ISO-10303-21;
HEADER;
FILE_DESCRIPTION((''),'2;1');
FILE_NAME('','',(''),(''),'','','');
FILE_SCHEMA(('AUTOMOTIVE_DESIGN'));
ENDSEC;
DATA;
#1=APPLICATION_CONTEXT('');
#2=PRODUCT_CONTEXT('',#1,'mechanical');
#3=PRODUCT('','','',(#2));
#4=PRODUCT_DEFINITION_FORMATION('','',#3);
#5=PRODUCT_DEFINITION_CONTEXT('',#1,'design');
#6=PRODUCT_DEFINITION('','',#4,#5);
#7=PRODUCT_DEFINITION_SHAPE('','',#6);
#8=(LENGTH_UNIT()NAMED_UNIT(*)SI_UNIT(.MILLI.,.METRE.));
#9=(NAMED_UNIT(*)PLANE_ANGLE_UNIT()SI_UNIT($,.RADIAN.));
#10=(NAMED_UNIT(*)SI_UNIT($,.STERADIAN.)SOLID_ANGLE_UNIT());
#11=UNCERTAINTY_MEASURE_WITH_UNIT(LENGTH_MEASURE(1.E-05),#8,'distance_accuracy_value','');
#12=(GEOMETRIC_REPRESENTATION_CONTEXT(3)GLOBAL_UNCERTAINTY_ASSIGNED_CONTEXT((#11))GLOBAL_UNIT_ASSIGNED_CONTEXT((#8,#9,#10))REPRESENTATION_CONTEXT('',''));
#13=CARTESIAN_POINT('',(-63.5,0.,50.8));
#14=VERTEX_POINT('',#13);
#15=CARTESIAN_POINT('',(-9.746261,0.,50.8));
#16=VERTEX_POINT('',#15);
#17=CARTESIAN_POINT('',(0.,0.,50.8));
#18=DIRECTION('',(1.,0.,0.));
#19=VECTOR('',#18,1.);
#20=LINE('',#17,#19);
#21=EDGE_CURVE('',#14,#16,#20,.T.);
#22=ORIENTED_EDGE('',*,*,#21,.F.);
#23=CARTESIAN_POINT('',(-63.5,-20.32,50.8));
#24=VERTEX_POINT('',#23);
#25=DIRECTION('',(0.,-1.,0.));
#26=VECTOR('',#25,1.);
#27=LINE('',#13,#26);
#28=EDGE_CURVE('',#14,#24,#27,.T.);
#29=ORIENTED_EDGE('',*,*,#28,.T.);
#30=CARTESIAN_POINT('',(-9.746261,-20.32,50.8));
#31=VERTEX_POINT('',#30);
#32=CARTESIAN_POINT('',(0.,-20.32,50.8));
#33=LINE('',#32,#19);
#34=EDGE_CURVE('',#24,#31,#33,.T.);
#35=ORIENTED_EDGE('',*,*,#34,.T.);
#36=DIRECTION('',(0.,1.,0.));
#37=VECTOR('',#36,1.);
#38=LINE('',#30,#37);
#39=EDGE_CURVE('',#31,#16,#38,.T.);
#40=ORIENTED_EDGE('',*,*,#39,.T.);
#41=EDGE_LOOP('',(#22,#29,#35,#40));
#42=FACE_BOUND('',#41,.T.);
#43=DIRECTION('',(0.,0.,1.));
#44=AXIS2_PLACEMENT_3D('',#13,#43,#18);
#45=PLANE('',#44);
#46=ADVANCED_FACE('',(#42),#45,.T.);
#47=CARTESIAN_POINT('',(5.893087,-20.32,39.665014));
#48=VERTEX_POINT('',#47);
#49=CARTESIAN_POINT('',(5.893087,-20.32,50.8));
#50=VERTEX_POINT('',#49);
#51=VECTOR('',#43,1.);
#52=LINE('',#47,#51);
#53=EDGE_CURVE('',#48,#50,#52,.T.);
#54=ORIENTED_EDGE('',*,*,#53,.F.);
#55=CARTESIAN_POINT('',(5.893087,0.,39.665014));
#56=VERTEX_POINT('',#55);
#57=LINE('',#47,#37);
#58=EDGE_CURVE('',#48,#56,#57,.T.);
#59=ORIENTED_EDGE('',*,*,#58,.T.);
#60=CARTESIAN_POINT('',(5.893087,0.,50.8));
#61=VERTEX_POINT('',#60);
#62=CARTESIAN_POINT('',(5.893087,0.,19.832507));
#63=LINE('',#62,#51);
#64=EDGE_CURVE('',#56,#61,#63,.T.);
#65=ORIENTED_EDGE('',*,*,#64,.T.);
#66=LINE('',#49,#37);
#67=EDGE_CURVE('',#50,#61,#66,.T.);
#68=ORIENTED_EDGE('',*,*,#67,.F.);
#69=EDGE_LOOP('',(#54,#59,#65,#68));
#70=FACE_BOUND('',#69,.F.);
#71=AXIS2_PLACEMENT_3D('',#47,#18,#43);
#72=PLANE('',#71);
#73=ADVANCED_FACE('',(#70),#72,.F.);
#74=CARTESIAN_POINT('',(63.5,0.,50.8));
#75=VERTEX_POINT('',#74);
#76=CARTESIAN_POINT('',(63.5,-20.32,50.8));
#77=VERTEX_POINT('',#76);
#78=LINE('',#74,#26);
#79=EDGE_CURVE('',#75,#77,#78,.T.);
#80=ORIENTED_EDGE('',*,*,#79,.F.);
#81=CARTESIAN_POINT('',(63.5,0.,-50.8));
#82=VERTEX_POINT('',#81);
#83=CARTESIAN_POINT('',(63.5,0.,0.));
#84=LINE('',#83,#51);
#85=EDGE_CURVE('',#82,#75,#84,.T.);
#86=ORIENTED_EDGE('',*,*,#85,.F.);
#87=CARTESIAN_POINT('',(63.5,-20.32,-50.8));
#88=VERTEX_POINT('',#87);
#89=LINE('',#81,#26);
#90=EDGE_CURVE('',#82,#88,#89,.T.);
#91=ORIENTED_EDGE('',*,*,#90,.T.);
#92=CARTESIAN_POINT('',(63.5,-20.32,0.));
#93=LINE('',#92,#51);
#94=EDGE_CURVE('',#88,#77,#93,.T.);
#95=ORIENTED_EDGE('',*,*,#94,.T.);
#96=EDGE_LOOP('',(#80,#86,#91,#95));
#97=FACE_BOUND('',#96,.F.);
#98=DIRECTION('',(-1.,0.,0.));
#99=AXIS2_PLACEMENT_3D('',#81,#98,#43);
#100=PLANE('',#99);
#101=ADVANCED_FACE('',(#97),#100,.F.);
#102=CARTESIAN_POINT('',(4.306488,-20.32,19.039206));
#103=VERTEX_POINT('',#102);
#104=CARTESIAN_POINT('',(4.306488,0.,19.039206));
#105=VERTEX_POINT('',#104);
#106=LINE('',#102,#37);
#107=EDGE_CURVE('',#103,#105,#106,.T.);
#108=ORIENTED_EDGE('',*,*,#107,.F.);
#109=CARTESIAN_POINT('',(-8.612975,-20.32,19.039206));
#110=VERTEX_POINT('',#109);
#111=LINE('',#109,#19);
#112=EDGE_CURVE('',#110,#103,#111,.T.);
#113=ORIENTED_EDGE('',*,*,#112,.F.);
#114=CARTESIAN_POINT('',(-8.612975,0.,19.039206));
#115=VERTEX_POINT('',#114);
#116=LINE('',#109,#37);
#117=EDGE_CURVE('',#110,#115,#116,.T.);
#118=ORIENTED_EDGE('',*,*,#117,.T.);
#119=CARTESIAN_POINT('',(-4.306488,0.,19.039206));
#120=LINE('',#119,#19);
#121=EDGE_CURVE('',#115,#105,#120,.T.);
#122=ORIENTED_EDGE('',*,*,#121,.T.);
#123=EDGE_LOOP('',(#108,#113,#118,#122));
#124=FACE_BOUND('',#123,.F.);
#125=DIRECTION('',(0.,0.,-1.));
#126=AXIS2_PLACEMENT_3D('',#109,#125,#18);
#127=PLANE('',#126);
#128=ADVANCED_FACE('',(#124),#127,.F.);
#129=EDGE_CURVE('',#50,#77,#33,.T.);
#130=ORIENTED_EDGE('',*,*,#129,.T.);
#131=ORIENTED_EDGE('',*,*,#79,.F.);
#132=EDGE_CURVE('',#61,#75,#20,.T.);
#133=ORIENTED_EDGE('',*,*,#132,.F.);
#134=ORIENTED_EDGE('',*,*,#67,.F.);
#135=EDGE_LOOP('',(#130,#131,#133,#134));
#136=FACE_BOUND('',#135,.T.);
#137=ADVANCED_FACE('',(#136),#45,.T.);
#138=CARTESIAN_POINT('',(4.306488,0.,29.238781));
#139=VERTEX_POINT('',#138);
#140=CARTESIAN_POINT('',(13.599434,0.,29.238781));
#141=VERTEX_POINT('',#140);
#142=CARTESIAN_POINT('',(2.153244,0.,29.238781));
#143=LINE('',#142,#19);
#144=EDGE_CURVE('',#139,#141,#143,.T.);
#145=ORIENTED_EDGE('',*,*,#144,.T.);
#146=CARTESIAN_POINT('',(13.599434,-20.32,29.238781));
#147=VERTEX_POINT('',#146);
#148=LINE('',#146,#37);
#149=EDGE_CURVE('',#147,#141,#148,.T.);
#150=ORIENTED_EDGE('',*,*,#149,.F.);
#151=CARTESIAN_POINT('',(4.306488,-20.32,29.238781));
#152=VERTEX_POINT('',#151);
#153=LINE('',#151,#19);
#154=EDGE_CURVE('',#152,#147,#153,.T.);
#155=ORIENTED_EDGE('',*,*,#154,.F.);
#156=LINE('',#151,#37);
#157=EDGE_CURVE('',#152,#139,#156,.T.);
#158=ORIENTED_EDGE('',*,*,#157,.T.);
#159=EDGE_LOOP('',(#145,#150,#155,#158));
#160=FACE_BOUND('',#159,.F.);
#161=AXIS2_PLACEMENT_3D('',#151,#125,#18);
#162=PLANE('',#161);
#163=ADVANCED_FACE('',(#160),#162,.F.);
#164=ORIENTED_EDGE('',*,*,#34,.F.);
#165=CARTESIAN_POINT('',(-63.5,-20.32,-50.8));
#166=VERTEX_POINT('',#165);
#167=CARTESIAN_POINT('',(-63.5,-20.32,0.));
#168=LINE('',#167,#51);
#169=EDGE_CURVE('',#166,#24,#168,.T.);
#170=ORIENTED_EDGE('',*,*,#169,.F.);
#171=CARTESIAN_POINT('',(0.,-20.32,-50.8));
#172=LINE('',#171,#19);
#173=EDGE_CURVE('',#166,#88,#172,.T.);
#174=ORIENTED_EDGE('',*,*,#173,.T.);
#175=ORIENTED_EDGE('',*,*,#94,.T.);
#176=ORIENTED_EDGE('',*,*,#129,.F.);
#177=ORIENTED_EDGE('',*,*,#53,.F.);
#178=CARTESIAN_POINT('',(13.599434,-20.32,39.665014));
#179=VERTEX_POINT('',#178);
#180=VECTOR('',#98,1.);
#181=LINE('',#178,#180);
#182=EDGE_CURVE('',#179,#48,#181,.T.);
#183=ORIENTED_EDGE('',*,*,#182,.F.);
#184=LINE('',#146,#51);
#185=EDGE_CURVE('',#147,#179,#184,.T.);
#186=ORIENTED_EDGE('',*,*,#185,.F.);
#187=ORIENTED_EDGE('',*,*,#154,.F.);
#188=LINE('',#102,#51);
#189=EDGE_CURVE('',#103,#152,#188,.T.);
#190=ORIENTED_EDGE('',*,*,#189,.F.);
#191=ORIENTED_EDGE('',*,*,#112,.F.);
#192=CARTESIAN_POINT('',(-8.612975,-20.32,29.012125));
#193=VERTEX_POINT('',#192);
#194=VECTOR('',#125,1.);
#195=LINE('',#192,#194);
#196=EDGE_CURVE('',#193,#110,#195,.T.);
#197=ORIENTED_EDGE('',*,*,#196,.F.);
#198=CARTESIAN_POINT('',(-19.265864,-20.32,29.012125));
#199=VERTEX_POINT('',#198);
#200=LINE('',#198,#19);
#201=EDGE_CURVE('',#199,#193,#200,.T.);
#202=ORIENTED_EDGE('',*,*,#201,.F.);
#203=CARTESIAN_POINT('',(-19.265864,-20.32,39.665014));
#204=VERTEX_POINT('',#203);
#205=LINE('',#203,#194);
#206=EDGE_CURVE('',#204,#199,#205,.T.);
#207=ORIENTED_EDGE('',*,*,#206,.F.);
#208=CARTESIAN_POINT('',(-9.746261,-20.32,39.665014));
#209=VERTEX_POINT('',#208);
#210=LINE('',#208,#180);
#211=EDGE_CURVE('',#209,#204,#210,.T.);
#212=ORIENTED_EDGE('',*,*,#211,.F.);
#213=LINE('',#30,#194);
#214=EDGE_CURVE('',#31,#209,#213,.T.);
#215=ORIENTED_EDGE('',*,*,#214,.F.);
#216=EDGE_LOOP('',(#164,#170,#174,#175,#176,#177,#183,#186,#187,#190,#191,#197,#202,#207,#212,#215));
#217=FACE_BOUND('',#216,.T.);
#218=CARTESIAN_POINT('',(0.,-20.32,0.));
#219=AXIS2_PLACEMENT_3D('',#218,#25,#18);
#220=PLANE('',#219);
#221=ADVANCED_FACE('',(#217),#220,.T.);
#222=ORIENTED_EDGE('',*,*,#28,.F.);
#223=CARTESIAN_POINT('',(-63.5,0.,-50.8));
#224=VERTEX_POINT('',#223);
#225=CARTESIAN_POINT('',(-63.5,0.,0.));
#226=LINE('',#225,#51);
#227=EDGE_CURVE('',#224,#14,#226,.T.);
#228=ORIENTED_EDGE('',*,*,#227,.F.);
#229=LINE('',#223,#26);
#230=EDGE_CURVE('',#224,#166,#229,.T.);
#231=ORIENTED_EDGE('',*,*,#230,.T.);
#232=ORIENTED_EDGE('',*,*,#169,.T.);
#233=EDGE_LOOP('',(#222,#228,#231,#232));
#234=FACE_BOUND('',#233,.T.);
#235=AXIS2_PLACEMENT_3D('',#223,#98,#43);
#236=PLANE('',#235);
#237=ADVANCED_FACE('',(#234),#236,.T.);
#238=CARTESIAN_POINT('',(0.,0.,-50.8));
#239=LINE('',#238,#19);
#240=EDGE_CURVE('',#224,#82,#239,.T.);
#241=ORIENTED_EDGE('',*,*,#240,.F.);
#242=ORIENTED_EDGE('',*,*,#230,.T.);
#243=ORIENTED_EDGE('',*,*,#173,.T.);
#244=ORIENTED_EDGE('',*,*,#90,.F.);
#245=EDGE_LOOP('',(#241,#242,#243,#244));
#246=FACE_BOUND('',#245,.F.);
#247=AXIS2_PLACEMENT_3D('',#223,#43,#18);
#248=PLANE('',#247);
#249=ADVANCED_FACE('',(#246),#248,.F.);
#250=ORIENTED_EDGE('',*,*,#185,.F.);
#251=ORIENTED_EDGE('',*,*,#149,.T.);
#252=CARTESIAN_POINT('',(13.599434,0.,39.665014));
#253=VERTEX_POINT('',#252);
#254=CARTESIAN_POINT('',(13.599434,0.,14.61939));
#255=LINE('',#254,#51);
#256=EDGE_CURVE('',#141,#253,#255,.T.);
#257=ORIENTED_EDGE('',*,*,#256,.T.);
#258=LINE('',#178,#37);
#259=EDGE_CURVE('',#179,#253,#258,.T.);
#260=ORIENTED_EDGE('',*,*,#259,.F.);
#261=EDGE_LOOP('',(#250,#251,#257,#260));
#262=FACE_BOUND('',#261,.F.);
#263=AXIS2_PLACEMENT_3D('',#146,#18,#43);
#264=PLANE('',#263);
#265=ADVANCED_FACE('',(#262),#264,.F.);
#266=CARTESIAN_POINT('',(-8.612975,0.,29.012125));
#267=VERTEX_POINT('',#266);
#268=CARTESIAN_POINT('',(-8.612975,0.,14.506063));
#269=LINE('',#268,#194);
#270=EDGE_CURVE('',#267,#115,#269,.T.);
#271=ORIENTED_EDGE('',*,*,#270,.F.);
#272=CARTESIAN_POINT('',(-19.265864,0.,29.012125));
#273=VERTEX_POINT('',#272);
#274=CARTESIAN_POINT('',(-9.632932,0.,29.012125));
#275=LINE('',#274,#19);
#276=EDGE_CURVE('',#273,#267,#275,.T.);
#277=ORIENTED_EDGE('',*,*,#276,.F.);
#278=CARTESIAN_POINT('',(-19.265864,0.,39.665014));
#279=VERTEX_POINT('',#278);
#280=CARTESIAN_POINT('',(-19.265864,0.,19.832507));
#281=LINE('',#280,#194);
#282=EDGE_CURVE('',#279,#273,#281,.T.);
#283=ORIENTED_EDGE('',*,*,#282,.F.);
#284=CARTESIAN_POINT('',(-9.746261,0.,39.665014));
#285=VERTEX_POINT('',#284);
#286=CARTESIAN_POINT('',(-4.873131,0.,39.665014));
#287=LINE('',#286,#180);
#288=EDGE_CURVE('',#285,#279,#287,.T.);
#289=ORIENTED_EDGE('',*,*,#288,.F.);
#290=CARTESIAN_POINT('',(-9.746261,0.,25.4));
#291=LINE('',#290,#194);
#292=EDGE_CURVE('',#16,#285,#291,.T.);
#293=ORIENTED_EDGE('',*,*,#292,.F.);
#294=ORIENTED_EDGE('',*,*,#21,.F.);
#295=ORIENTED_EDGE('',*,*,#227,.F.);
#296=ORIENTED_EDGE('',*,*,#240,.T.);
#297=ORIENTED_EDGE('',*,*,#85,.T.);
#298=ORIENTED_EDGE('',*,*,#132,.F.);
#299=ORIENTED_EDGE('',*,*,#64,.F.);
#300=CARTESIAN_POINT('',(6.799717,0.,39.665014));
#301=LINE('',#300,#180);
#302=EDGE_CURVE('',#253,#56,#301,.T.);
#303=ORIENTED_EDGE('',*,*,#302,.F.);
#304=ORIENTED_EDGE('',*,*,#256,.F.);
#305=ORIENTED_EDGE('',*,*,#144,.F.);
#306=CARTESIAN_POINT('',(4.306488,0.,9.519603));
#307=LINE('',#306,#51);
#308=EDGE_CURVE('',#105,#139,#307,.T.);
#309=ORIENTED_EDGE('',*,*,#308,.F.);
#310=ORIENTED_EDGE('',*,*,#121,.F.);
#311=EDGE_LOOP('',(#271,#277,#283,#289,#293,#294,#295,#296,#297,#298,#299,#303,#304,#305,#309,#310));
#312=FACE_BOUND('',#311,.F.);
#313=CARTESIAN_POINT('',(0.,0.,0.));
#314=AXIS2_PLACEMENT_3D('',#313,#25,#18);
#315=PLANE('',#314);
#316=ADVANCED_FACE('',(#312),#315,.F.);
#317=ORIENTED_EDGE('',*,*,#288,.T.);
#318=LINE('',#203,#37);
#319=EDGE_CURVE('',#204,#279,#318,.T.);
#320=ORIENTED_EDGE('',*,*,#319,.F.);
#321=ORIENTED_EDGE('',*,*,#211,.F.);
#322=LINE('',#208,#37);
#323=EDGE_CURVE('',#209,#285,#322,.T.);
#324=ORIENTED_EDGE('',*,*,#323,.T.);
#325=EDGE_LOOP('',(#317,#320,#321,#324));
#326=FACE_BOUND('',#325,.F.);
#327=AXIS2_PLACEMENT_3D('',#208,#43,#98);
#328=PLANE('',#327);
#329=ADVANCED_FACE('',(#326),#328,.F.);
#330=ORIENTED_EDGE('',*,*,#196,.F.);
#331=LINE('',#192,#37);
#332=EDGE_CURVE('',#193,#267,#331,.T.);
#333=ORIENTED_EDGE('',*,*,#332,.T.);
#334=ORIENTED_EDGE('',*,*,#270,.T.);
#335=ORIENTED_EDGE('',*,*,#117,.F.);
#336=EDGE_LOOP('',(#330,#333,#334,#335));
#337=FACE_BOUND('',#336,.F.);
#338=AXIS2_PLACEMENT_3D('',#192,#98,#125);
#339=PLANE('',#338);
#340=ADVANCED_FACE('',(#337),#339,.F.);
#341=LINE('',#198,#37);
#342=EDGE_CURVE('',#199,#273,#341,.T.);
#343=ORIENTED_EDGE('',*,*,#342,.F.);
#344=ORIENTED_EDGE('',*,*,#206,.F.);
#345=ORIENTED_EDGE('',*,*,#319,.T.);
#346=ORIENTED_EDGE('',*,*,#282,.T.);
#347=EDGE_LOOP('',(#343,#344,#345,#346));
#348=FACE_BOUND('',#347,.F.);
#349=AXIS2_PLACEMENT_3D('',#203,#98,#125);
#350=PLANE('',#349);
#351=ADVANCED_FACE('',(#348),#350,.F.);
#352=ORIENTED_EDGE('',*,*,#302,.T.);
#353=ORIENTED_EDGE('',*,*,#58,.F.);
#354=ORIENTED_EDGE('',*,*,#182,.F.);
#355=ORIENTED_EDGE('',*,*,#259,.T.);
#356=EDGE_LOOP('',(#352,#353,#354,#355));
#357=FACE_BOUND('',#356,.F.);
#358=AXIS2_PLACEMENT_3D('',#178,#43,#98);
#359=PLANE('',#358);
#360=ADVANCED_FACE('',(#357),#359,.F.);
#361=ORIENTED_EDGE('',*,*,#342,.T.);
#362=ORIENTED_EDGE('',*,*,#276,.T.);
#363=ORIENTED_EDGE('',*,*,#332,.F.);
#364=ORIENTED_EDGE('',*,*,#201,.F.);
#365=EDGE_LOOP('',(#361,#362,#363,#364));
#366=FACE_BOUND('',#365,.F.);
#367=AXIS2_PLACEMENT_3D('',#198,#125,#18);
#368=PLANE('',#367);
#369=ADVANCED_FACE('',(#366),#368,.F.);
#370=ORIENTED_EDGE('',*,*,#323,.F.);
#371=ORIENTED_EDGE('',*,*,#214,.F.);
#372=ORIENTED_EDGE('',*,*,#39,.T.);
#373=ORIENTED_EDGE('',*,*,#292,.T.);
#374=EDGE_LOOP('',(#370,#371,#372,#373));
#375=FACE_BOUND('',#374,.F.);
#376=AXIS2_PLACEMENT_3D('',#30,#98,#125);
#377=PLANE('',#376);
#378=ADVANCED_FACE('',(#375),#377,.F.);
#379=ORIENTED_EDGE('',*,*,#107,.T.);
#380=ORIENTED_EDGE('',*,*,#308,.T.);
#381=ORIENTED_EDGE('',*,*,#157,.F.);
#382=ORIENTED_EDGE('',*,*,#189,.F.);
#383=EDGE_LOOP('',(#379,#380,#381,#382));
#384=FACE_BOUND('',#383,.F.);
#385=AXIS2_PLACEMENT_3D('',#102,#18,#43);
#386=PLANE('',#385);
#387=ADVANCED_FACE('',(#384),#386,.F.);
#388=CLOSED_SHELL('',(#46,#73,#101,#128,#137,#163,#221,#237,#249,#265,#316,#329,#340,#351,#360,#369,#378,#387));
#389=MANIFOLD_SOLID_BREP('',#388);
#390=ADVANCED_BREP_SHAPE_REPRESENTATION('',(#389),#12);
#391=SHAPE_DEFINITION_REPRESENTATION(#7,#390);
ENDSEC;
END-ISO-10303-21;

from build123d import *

# Parameters (mm, degrees)
F0_W     = 127
F0_H     = 101.6
F1_DEPTH = 20.32
F3_DEPTH = 25.4


with BuildPart() as f1:
    # F0 (on Front) → F1 (new body)
    with BuildSketch(Plane.XZ):
        Rectangle(F0_W, F0_H)
    extrude(amount=F1_DEPTH)

    # F2 (on face) → F3 (cut)
    with BuildSketch(Plane.XZ.offset(20.32)):
        Polygon((5.893087, 50.8), (-9.746261, 50.8), (-9.746261, 39.665014), (-19.265864, 39.665014), (-19.265864, 29.012125), (-8.612975, 29.012125), (-8.612975, 19.039206), (4.306488, 19.039206), (4.306488, 29.238781), (13.599434, 29.238781), (13.599434, 39.665014), (5.893087, 39.665014), align=None)
    extrude(amount=-F3_DEPTH, mode=Mode.SUBTRACT)


solid = f1.part
